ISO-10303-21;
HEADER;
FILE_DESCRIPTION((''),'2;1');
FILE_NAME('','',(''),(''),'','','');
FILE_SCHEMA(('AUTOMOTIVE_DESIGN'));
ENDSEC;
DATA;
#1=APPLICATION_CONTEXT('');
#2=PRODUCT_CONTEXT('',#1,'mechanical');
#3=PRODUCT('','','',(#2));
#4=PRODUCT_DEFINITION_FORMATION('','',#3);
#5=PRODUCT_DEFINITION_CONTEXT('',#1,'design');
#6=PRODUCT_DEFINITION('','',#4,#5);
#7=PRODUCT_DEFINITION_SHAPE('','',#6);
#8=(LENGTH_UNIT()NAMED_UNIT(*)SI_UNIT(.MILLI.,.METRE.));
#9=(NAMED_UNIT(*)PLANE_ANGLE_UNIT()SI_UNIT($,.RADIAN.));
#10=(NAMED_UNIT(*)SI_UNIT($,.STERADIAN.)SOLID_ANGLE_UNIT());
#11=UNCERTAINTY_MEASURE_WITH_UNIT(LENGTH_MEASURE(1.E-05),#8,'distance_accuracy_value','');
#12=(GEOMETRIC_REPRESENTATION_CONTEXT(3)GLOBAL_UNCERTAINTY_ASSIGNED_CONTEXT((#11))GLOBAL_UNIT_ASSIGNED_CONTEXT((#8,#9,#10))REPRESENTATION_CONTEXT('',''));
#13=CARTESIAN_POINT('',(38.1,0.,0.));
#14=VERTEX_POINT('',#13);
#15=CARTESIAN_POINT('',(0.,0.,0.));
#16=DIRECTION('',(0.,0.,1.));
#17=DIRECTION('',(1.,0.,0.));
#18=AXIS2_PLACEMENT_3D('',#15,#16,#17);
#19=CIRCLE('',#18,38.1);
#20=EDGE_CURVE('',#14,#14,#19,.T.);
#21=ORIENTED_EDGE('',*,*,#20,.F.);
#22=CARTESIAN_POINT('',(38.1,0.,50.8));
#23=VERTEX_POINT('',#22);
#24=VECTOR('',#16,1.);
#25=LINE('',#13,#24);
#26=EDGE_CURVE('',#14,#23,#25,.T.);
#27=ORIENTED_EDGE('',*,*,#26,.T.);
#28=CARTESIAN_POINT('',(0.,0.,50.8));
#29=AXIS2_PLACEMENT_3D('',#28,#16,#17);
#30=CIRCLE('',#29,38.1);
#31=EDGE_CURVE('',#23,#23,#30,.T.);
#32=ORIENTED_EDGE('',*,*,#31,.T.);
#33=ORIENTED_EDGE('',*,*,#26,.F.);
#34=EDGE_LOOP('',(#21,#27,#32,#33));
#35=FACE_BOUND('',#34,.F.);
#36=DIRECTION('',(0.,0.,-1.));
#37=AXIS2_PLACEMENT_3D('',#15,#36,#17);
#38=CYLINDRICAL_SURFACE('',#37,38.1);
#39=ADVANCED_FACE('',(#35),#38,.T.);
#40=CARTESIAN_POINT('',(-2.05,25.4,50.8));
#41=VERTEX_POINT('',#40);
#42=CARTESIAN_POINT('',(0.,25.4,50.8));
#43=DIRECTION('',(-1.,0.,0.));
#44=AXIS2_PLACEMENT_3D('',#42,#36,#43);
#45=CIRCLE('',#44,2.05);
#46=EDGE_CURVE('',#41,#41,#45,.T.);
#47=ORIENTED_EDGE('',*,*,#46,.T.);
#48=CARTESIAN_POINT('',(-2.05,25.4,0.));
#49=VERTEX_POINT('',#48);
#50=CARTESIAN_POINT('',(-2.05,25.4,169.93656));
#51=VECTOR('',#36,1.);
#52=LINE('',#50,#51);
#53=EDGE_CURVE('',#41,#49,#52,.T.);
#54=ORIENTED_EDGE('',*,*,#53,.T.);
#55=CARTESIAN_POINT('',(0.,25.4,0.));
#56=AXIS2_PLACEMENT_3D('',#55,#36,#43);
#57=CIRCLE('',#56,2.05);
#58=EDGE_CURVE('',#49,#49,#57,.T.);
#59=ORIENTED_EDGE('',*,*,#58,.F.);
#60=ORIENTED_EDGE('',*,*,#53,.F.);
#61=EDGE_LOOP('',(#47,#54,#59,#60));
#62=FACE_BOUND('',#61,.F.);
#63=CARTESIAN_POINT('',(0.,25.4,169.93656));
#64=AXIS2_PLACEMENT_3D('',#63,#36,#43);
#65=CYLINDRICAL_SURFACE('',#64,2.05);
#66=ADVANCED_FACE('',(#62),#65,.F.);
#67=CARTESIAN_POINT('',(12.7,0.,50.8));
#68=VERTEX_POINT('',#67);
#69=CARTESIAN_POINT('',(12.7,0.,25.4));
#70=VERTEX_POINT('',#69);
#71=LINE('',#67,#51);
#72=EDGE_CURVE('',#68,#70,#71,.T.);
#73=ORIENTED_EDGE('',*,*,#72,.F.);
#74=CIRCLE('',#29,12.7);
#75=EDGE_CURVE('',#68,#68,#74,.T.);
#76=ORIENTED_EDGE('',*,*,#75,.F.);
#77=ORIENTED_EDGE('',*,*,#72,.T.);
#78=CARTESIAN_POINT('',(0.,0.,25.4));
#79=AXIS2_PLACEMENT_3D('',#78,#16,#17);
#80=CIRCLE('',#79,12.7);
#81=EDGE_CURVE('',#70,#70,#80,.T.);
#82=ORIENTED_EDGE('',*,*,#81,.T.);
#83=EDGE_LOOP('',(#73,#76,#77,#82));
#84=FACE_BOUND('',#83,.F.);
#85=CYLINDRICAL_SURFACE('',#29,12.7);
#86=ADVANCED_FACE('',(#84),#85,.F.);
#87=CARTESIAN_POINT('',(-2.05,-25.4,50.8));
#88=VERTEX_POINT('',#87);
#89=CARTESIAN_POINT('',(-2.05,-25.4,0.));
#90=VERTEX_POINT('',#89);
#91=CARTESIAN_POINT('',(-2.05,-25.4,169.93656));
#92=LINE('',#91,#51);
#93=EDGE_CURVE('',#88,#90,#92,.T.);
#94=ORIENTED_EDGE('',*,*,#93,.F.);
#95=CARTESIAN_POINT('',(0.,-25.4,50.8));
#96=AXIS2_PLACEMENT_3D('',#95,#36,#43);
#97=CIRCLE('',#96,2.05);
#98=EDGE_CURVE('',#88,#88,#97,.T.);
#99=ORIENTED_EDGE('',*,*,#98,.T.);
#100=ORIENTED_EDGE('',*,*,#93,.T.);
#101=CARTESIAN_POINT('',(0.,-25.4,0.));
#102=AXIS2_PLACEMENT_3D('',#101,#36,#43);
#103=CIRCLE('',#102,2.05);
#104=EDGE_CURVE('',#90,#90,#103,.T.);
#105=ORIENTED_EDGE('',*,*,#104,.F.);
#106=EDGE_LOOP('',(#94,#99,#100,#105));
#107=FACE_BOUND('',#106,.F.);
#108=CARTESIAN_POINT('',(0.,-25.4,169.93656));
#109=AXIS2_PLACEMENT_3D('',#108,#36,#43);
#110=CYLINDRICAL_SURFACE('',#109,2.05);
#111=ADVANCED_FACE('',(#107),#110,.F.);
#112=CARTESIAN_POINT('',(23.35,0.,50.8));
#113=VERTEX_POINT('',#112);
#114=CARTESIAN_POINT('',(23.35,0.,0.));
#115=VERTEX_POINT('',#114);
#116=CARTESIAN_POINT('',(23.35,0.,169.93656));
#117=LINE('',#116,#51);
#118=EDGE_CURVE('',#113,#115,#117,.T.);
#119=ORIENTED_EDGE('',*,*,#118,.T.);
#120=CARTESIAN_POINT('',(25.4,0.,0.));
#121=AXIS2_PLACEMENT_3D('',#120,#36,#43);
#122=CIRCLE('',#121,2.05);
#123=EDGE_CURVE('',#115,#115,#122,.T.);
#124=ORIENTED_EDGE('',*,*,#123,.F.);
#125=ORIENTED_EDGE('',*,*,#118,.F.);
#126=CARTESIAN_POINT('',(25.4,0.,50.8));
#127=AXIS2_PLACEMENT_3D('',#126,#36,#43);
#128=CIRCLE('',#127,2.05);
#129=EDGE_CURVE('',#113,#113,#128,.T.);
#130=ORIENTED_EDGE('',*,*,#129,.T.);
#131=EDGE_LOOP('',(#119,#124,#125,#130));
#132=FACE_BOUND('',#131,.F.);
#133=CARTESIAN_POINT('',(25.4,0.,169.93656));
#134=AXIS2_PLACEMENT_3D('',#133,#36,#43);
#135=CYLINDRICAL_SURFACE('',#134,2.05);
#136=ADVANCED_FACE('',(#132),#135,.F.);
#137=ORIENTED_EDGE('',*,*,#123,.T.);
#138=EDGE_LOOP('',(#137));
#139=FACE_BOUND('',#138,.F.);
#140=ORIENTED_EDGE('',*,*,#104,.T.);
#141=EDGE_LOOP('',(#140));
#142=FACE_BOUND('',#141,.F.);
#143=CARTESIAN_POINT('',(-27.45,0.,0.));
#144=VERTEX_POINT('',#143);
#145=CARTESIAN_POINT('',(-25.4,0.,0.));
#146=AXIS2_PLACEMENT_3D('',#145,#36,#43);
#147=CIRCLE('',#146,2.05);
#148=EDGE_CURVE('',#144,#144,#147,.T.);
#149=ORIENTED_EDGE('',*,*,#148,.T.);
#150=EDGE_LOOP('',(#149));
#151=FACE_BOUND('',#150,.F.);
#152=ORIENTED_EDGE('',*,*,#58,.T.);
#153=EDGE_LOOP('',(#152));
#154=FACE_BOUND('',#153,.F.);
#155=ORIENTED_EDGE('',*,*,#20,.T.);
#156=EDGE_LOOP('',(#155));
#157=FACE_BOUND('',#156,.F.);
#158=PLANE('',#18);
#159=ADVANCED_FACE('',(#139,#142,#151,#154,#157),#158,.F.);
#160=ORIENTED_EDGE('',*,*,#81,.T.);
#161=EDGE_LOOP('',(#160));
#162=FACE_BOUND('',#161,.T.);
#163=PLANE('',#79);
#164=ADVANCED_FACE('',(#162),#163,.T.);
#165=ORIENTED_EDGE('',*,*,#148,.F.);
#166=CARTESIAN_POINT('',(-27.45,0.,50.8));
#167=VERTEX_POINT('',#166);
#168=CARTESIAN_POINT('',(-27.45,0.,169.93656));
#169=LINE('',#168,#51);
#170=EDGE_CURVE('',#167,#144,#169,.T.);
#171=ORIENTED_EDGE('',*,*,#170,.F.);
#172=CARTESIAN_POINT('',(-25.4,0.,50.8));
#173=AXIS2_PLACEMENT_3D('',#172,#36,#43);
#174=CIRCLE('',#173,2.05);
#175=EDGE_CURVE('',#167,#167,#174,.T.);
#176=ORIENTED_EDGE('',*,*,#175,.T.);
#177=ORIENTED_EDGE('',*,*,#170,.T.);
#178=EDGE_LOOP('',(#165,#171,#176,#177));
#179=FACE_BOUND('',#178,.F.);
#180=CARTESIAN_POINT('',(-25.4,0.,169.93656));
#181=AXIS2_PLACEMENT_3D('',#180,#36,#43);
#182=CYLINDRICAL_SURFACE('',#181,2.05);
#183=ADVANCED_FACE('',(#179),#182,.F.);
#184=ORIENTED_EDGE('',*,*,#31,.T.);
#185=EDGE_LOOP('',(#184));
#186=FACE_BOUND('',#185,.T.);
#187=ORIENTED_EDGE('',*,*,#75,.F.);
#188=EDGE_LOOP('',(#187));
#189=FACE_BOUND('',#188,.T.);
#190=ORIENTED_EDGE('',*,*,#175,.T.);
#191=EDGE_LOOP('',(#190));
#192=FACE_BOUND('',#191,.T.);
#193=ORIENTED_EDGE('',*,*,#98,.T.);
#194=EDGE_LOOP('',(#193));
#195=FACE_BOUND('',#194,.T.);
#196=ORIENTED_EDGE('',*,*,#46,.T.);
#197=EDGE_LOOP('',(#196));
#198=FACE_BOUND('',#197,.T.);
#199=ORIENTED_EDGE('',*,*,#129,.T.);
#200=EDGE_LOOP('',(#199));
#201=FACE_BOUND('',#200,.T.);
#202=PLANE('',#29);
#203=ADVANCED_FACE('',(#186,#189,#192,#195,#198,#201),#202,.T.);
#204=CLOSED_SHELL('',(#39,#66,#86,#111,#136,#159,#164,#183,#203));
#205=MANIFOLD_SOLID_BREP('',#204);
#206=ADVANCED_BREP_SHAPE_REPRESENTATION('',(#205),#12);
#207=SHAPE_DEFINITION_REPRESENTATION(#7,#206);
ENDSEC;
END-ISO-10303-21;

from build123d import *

# Parameters (mm, degrees)
F0_R     = 38.1
F1_DEPTH = 50.8
F2_R     = 12.7
F3_DEPTH = 25.4
F5_D     = 4.1


with BuildPart() as f1:
    # F0 (on Top) → F1 (new body)
    with BuildSketch(Plane.XY):
        Circle(F0_R)
    extrude(amount=F1_DEPTH)

    # F2 (on face) → F3 (cut)
    with BuildSketch(Plane.XY.offset(50.8)):
        Circle(F2_R)
    extrude(amount=-F3_DEPTH, mode=Mode.SUBTRACT)

    # F5 (through all)
    with Locations(Plane.XY.offset(50.8)):
        with Locations((25.4, 0), (0, 25.4), (-25.4, 0), (0, -25.4)):
            Hole(F5_D / 2)


solid = f1.part
